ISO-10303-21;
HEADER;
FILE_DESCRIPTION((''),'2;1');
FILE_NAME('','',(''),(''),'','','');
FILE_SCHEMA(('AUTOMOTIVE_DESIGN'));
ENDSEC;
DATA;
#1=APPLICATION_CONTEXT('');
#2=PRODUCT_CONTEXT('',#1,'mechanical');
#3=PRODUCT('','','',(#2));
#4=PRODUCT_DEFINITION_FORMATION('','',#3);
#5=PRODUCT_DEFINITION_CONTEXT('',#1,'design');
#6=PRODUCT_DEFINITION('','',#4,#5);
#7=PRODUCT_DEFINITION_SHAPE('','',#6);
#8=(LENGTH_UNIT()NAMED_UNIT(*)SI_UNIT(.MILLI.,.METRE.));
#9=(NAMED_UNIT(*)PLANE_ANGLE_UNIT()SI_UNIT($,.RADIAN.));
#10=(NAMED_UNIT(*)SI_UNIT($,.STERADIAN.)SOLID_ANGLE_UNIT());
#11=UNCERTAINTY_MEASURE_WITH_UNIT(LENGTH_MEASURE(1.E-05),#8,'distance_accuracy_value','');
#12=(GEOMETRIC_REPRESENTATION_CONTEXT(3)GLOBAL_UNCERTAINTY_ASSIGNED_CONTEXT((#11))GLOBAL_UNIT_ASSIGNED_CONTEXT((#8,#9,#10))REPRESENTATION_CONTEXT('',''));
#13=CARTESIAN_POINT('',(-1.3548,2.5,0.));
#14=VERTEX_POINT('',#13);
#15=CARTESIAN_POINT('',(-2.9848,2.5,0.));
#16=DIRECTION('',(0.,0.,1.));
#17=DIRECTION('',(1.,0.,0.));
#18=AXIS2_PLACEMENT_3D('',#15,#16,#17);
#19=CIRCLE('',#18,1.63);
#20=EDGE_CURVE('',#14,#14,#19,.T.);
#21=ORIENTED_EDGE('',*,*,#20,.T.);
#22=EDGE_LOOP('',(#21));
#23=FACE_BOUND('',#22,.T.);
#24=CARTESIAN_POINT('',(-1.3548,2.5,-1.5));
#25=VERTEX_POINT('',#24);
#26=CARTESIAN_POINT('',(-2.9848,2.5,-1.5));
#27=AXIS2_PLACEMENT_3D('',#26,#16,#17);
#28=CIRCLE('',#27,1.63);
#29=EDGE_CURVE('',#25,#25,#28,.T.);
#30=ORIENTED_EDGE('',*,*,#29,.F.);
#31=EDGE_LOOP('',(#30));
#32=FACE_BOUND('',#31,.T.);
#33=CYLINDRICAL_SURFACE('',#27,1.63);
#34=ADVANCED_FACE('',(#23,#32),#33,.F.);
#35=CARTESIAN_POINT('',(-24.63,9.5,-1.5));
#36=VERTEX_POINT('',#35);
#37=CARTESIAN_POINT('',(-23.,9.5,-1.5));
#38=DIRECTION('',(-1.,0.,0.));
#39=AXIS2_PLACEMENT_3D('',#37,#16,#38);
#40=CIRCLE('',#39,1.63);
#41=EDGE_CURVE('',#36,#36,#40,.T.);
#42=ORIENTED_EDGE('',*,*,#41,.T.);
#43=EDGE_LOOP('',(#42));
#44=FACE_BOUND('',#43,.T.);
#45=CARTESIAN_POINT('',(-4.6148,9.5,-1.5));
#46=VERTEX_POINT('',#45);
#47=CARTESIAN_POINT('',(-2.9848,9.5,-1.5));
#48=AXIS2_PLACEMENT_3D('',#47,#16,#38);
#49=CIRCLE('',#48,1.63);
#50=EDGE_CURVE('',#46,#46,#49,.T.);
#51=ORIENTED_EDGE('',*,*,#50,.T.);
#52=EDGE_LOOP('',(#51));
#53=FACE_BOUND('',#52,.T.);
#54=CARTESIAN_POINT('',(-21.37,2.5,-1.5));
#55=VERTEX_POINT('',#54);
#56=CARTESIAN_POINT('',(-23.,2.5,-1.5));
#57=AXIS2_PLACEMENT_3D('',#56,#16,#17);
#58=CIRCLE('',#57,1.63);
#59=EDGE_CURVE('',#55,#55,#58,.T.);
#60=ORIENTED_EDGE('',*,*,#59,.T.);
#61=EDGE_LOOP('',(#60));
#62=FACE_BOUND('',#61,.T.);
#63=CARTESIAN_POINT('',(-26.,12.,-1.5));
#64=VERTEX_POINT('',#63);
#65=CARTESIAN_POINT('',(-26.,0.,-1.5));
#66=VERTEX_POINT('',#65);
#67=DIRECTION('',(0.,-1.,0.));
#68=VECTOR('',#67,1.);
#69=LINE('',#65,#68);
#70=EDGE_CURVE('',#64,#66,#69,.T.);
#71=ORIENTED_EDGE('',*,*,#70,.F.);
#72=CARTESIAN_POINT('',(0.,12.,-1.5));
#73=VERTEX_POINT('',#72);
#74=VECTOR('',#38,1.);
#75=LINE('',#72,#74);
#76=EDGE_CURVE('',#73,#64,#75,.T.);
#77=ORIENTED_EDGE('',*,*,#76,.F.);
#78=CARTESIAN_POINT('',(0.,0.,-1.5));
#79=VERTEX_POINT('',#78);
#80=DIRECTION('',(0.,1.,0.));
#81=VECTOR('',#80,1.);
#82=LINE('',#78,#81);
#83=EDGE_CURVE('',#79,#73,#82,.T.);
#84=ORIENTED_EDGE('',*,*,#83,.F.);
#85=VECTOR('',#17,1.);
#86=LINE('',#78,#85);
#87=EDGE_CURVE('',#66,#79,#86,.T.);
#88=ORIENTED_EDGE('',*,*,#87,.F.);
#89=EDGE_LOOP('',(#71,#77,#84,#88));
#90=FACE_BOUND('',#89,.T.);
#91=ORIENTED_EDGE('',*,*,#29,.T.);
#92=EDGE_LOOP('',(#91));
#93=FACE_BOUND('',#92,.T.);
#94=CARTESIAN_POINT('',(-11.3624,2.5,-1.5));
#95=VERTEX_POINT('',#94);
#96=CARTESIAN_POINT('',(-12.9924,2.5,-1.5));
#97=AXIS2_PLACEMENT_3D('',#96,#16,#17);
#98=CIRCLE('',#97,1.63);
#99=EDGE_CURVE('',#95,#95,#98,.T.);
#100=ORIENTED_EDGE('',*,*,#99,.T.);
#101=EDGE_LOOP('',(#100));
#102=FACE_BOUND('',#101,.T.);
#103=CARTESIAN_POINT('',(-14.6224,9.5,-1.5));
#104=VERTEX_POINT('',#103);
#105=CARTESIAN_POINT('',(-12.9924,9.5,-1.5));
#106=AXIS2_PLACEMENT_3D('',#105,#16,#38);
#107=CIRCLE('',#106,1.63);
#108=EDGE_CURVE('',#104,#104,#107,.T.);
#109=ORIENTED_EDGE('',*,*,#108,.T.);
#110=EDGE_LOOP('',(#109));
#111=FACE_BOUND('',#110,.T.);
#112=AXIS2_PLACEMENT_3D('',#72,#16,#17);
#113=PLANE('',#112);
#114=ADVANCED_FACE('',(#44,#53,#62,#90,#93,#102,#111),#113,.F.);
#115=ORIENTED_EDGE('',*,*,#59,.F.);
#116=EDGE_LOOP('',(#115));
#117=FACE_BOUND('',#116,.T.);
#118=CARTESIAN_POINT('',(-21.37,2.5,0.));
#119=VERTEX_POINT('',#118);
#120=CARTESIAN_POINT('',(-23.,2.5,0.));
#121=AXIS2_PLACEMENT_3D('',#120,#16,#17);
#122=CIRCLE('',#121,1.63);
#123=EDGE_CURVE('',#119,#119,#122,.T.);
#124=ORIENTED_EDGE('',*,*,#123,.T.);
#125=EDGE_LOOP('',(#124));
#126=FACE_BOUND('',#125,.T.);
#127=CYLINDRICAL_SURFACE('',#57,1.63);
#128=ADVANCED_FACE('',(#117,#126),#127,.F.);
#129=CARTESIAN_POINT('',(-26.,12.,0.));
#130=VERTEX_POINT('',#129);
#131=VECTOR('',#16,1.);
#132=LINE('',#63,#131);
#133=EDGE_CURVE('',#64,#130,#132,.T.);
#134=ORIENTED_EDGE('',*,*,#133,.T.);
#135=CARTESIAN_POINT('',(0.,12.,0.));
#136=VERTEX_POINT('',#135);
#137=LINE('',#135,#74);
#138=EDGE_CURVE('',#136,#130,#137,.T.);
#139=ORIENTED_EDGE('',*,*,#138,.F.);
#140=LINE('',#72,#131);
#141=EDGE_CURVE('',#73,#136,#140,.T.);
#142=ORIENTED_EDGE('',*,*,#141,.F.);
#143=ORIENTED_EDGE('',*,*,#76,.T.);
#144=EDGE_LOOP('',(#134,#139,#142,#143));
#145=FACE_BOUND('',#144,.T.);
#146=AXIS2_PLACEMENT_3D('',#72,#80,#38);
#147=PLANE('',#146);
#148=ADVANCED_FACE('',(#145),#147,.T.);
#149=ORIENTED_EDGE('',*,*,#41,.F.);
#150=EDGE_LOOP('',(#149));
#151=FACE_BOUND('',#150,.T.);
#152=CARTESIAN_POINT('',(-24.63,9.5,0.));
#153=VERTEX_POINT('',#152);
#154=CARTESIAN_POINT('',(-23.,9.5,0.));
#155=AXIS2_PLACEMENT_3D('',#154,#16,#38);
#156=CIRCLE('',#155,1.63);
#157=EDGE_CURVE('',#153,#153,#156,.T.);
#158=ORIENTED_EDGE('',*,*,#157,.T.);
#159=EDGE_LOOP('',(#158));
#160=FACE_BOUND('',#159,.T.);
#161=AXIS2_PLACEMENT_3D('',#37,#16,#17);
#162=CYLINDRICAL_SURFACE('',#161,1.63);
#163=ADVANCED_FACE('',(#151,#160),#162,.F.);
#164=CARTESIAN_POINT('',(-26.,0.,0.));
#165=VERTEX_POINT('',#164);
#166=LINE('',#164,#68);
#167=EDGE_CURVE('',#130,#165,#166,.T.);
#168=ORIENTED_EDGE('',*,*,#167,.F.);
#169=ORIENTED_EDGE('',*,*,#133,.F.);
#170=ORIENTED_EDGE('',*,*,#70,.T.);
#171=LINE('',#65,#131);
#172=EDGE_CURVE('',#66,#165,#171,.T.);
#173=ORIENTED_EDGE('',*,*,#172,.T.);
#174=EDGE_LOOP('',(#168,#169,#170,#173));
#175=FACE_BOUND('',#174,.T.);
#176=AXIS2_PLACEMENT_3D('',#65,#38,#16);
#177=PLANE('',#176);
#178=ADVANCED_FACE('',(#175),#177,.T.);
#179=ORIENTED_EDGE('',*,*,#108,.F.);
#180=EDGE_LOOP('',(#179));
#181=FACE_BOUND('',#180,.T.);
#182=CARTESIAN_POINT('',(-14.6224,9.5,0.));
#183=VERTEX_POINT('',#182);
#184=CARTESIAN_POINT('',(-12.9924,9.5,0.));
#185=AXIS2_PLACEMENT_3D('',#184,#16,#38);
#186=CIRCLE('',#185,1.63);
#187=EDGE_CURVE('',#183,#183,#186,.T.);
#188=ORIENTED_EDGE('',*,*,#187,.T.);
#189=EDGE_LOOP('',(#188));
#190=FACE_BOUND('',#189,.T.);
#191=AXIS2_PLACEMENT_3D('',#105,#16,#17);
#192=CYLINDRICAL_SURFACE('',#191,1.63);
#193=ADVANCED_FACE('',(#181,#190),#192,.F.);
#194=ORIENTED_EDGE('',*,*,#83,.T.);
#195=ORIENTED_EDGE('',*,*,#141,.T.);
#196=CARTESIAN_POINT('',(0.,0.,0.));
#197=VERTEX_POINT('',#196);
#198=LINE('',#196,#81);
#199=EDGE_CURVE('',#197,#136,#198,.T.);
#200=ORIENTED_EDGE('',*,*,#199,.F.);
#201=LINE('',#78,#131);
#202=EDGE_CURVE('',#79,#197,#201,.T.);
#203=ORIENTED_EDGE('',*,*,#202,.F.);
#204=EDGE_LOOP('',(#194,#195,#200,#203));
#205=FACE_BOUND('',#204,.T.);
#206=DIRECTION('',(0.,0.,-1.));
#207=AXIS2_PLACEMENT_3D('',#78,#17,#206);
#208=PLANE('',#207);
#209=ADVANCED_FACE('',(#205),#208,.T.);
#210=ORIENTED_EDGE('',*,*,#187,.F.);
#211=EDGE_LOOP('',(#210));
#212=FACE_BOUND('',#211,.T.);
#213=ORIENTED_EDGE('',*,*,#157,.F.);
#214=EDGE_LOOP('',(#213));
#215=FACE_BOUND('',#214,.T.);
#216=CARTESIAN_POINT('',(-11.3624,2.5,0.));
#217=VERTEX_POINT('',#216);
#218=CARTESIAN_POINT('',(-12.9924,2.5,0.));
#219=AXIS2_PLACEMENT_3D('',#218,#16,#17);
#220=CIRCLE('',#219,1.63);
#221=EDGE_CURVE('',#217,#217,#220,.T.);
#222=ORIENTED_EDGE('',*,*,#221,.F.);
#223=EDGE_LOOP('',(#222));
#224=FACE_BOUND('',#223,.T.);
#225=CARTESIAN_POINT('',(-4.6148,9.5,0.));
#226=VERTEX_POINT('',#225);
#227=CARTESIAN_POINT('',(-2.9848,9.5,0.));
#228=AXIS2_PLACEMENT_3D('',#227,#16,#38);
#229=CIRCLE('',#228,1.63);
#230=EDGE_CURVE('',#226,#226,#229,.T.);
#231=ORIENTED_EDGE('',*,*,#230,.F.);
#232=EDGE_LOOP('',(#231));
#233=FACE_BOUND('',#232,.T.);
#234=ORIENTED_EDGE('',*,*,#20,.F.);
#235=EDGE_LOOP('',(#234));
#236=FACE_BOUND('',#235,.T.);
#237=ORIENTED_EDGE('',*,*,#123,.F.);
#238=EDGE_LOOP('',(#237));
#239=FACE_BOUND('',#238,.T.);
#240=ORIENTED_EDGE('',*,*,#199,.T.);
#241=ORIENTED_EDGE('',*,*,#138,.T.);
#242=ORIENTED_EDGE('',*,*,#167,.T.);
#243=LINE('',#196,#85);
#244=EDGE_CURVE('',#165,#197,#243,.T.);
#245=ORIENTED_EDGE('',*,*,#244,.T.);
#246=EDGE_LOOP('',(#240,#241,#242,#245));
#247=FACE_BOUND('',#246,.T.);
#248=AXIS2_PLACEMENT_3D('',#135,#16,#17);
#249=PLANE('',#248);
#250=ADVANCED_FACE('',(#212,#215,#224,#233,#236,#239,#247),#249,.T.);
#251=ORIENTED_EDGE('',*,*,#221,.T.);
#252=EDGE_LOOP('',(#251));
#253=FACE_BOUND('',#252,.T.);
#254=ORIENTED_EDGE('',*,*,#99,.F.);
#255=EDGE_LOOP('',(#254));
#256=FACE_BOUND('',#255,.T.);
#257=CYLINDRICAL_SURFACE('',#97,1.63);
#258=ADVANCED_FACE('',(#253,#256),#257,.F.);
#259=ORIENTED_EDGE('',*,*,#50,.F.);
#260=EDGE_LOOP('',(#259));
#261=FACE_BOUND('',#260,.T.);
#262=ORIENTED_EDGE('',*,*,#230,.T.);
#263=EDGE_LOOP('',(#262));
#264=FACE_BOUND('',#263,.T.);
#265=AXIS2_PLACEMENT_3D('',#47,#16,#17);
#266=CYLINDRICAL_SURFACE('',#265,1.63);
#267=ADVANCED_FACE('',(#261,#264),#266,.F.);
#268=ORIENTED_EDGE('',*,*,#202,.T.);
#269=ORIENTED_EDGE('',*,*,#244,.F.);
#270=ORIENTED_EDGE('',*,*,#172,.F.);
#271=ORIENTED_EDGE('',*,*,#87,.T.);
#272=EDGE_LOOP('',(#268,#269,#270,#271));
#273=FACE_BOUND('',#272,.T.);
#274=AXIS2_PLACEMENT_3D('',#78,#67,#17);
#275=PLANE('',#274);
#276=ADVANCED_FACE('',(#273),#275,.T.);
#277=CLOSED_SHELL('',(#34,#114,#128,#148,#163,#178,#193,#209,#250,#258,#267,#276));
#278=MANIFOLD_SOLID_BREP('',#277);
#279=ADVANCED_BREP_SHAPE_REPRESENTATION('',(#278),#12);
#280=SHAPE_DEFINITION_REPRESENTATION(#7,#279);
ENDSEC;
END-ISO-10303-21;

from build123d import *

# Parameters (mm, degrees)
SKETCH1_W      = 26
SKETCH1_H      = 12
EXTRUDE1_DEPTH = 1.5
SKETCH2_R      = 1.63
EXTRUDE2_DEPTH = 2.5


with BuildPart() as part:
    # Sketch1 → Extrude1 (new body)
    with BuildSketch(Plane.XY):
        with Locations((-13, 6)):
            Rectangle(SKETCH1_W, SKETCH1_H)
    extrude(amount=-EXTRUDE1_DEPTH)

    # Sketch2 → Extrude2 (cut, through all)
    with BuildSketch(Plane.XY):
        with Locations((-12.9924, 2.5)):
            Circle(SKETCH2_R)
        with Locations((-2.9848, 2.5)):
            Circle(SKETCH2_R)
        with Locations(Location((-2.9848, 9.5, 0), (0, 0, 180))):  # turned: the seam where the file's is
            Circle(SKETCH2_R)
        with Locations(Location((-12.9924, 9.5, 0), (0, 0, 180))):  # turned: the seam where the file's is
            Circle(SKETCH2_R)
        with Locations((-23, 2.5)):
            Circle(SKETCH2_R)
        with Locations(Location((-23, 9.5, 0), (0, 0, 180))):  # turned: the seam where the file's is
            Circle(SKETCH2_R)
    extrude(amount=-EXTRUDE2_DEPTH, mode=Mode.SUBTRACT)


solid = part.part
